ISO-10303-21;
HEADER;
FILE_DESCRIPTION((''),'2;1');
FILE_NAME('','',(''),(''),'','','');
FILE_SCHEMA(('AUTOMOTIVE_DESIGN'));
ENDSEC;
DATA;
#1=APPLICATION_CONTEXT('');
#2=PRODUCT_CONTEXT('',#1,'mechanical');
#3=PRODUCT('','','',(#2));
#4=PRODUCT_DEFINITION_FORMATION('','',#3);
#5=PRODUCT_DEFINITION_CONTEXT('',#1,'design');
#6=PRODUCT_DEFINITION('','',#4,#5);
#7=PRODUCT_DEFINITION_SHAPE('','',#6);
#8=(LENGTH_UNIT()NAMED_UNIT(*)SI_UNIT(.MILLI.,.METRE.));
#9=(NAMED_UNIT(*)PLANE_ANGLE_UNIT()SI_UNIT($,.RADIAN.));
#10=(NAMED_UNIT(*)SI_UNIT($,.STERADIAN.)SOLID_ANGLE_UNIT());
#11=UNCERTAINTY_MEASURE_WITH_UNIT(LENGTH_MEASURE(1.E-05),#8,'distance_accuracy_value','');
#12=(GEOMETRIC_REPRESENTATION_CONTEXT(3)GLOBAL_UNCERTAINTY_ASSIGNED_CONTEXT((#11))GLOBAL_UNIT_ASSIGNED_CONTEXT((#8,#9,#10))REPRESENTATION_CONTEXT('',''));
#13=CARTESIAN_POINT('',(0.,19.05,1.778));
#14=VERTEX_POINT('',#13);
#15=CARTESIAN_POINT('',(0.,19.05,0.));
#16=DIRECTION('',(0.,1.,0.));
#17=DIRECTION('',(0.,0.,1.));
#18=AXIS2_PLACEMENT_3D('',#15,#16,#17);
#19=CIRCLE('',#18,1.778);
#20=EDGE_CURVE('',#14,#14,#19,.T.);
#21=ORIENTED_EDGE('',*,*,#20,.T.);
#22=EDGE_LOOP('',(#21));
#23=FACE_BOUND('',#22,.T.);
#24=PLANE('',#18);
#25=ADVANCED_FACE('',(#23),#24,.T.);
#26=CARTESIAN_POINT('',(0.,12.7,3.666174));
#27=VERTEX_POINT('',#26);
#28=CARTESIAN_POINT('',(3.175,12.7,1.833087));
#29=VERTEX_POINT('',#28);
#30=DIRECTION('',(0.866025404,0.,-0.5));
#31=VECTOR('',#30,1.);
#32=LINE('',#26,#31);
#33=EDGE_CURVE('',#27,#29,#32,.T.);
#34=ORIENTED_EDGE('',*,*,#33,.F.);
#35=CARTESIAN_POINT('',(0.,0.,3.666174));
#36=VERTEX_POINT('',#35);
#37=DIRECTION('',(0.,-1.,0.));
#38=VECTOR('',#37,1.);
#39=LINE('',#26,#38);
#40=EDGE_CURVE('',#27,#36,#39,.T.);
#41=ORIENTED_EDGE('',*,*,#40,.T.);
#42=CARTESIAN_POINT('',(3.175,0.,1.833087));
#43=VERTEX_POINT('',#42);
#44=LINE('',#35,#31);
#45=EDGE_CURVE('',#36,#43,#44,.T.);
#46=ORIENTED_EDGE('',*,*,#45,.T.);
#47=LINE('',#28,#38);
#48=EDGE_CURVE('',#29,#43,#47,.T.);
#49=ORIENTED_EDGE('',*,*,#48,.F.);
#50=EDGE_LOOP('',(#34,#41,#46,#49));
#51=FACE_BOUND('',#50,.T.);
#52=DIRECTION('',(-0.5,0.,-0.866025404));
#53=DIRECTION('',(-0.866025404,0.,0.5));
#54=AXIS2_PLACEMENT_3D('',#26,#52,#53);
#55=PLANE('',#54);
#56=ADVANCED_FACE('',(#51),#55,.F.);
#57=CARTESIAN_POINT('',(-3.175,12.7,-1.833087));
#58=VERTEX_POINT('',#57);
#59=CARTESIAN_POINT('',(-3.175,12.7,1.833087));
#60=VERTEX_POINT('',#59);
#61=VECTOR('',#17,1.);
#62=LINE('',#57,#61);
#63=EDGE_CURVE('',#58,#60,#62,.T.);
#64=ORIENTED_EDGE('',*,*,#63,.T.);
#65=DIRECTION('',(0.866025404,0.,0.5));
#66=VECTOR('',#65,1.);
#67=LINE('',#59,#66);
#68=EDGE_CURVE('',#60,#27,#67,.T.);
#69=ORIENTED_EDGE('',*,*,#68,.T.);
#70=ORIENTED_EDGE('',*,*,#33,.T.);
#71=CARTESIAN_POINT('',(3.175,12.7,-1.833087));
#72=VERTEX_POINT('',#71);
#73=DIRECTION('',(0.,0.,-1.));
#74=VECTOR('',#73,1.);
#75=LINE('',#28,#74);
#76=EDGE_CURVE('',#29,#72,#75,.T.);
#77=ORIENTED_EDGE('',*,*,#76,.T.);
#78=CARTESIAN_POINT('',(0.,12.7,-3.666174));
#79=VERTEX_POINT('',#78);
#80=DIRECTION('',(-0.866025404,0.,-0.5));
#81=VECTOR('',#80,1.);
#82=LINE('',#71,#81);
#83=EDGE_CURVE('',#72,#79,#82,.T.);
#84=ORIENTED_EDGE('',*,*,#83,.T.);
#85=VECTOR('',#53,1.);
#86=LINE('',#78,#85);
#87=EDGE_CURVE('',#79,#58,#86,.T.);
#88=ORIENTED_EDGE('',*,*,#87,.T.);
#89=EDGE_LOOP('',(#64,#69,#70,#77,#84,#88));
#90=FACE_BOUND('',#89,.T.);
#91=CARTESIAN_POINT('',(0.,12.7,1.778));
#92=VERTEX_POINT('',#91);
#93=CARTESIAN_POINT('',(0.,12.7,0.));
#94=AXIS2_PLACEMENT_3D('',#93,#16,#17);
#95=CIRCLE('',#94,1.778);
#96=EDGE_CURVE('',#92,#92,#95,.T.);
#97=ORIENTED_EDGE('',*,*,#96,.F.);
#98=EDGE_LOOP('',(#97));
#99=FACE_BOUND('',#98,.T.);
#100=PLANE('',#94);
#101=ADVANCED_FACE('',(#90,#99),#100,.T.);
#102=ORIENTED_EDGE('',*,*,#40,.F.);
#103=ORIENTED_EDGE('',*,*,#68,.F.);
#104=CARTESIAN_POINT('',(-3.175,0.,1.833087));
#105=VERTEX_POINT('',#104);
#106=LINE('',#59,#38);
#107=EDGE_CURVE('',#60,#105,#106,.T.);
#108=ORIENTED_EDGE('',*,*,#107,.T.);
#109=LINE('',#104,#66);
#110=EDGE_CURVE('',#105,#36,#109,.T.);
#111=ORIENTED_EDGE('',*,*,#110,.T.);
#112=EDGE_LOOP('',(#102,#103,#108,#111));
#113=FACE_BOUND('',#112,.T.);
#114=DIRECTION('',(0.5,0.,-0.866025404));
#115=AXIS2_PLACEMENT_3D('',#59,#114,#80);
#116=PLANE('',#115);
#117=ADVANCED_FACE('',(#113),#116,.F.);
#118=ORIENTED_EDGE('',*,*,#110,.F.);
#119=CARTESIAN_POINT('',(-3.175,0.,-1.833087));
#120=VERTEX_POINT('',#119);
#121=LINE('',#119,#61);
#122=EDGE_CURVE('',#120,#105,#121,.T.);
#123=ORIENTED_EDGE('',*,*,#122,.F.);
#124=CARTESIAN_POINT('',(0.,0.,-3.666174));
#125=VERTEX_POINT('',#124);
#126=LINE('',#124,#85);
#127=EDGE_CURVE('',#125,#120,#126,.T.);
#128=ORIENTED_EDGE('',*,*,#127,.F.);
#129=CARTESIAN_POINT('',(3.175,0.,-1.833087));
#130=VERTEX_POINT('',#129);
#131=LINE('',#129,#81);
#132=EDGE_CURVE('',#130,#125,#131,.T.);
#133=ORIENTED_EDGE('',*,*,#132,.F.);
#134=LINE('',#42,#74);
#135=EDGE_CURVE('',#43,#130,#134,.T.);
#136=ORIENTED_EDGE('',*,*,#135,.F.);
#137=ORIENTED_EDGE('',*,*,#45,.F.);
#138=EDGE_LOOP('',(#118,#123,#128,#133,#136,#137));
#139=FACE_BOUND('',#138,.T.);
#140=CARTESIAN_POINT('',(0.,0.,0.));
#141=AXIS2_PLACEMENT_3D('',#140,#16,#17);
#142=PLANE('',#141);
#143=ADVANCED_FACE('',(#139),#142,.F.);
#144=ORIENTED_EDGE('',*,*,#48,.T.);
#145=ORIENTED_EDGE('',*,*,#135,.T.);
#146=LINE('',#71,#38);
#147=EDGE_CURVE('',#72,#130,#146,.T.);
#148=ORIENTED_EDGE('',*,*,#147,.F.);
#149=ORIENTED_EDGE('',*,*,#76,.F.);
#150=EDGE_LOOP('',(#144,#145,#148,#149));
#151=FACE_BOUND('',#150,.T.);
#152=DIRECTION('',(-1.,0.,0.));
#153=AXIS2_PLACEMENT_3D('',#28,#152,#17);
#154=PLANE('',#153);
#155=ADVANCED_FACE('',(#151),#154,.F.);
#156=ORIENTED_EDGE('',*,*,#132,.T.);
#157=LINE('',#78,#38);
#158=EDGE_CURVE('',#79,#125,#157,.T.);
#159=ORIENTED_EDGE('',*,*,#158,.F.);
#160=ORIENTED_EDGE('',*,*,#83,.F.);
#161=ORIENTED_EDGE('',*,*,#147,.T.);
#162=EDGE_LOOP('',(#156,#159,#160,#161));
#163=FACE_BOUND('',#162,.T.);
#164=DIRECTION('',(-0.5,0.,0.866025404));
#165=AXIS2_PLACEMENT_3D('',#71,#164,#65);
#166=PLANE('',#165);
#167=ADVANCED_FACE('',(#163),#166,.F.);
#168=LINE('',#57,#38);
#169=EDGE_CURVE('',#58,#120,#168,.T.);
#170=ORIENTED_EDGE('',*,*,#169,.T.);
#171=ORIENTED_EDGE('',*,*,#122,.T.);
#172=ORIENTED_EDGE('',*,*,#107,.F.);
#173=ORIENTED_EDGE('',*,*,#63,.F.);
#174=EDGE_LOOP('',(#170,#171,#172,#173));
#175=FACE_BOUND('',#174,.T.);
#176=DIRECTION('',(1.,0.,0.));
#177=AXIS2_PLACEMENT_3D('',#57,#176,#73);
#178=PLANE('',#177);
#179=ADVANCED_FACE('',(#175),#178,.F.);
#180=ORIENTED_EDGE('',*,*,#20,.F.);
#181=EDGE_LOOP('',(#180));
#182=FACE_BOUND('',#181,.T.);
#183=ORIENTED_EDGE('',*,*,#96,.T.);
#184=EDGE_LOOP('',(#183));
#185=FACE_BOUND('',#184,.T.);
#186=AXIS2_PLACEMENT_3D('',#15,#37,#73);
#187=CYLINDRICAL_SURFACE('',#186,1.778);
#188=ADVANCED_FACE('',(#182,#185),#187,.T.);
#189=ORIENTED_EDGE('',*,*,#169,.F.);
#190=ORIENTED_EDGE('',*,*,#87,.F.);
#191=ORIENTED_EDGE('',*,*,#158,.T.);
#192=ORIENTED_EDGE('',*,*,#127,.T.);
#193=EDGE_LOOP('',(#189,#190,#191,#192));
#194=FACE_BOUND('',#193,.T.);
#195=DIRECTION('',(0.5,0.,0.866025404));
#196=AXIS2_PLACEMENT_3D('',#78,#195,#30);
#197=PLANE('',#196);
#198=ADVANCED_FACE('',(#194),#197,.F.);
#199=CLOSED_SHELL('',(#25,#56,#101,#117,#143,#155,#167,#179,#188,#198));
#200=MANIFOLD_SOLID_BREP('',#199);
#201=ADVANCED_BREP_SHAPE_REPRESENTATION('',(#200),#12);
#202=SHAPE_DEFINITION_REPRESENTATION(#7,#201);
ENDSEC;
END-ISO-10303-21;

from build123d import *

# Parameters (mm, degrees)
BOSS_EXTRUDE1_DEPTH = 12.7
SKETCH2_R           = 1.778
BOSS_EXTRUDE2_DEPTH = 6.35


with BuildPart() as part:
    # Sketch1 → Boss-Extrude1 (new body)
    with BuildSketch(Plane(origin=(0, 0, 0), x_dir=(1, 0, 0), z_dir=(0, 1, 0))):
        Polygon((0, 3.666174209), (-3.175, 1.833087105), (-3.175, -1.833087105), (0, -3.666174209), (3.175, -1.833087105), (3.175, 1.833087105), align=None)
    extrude(amount=BOSS_EXTRUDE1_DEPTH)

    # Sketch2 → Boss-Extrude2 (add)
    with BuildSketch(Plane(origin=(0, 12.7, 0), x_dir=(1, 0, 0), z_dir=(0, 1, 0))):
        Circle(SKETCH2_R)
    extrude(amount=BOSS_EXTRUDE2_DEPTH)


solid = part.part
